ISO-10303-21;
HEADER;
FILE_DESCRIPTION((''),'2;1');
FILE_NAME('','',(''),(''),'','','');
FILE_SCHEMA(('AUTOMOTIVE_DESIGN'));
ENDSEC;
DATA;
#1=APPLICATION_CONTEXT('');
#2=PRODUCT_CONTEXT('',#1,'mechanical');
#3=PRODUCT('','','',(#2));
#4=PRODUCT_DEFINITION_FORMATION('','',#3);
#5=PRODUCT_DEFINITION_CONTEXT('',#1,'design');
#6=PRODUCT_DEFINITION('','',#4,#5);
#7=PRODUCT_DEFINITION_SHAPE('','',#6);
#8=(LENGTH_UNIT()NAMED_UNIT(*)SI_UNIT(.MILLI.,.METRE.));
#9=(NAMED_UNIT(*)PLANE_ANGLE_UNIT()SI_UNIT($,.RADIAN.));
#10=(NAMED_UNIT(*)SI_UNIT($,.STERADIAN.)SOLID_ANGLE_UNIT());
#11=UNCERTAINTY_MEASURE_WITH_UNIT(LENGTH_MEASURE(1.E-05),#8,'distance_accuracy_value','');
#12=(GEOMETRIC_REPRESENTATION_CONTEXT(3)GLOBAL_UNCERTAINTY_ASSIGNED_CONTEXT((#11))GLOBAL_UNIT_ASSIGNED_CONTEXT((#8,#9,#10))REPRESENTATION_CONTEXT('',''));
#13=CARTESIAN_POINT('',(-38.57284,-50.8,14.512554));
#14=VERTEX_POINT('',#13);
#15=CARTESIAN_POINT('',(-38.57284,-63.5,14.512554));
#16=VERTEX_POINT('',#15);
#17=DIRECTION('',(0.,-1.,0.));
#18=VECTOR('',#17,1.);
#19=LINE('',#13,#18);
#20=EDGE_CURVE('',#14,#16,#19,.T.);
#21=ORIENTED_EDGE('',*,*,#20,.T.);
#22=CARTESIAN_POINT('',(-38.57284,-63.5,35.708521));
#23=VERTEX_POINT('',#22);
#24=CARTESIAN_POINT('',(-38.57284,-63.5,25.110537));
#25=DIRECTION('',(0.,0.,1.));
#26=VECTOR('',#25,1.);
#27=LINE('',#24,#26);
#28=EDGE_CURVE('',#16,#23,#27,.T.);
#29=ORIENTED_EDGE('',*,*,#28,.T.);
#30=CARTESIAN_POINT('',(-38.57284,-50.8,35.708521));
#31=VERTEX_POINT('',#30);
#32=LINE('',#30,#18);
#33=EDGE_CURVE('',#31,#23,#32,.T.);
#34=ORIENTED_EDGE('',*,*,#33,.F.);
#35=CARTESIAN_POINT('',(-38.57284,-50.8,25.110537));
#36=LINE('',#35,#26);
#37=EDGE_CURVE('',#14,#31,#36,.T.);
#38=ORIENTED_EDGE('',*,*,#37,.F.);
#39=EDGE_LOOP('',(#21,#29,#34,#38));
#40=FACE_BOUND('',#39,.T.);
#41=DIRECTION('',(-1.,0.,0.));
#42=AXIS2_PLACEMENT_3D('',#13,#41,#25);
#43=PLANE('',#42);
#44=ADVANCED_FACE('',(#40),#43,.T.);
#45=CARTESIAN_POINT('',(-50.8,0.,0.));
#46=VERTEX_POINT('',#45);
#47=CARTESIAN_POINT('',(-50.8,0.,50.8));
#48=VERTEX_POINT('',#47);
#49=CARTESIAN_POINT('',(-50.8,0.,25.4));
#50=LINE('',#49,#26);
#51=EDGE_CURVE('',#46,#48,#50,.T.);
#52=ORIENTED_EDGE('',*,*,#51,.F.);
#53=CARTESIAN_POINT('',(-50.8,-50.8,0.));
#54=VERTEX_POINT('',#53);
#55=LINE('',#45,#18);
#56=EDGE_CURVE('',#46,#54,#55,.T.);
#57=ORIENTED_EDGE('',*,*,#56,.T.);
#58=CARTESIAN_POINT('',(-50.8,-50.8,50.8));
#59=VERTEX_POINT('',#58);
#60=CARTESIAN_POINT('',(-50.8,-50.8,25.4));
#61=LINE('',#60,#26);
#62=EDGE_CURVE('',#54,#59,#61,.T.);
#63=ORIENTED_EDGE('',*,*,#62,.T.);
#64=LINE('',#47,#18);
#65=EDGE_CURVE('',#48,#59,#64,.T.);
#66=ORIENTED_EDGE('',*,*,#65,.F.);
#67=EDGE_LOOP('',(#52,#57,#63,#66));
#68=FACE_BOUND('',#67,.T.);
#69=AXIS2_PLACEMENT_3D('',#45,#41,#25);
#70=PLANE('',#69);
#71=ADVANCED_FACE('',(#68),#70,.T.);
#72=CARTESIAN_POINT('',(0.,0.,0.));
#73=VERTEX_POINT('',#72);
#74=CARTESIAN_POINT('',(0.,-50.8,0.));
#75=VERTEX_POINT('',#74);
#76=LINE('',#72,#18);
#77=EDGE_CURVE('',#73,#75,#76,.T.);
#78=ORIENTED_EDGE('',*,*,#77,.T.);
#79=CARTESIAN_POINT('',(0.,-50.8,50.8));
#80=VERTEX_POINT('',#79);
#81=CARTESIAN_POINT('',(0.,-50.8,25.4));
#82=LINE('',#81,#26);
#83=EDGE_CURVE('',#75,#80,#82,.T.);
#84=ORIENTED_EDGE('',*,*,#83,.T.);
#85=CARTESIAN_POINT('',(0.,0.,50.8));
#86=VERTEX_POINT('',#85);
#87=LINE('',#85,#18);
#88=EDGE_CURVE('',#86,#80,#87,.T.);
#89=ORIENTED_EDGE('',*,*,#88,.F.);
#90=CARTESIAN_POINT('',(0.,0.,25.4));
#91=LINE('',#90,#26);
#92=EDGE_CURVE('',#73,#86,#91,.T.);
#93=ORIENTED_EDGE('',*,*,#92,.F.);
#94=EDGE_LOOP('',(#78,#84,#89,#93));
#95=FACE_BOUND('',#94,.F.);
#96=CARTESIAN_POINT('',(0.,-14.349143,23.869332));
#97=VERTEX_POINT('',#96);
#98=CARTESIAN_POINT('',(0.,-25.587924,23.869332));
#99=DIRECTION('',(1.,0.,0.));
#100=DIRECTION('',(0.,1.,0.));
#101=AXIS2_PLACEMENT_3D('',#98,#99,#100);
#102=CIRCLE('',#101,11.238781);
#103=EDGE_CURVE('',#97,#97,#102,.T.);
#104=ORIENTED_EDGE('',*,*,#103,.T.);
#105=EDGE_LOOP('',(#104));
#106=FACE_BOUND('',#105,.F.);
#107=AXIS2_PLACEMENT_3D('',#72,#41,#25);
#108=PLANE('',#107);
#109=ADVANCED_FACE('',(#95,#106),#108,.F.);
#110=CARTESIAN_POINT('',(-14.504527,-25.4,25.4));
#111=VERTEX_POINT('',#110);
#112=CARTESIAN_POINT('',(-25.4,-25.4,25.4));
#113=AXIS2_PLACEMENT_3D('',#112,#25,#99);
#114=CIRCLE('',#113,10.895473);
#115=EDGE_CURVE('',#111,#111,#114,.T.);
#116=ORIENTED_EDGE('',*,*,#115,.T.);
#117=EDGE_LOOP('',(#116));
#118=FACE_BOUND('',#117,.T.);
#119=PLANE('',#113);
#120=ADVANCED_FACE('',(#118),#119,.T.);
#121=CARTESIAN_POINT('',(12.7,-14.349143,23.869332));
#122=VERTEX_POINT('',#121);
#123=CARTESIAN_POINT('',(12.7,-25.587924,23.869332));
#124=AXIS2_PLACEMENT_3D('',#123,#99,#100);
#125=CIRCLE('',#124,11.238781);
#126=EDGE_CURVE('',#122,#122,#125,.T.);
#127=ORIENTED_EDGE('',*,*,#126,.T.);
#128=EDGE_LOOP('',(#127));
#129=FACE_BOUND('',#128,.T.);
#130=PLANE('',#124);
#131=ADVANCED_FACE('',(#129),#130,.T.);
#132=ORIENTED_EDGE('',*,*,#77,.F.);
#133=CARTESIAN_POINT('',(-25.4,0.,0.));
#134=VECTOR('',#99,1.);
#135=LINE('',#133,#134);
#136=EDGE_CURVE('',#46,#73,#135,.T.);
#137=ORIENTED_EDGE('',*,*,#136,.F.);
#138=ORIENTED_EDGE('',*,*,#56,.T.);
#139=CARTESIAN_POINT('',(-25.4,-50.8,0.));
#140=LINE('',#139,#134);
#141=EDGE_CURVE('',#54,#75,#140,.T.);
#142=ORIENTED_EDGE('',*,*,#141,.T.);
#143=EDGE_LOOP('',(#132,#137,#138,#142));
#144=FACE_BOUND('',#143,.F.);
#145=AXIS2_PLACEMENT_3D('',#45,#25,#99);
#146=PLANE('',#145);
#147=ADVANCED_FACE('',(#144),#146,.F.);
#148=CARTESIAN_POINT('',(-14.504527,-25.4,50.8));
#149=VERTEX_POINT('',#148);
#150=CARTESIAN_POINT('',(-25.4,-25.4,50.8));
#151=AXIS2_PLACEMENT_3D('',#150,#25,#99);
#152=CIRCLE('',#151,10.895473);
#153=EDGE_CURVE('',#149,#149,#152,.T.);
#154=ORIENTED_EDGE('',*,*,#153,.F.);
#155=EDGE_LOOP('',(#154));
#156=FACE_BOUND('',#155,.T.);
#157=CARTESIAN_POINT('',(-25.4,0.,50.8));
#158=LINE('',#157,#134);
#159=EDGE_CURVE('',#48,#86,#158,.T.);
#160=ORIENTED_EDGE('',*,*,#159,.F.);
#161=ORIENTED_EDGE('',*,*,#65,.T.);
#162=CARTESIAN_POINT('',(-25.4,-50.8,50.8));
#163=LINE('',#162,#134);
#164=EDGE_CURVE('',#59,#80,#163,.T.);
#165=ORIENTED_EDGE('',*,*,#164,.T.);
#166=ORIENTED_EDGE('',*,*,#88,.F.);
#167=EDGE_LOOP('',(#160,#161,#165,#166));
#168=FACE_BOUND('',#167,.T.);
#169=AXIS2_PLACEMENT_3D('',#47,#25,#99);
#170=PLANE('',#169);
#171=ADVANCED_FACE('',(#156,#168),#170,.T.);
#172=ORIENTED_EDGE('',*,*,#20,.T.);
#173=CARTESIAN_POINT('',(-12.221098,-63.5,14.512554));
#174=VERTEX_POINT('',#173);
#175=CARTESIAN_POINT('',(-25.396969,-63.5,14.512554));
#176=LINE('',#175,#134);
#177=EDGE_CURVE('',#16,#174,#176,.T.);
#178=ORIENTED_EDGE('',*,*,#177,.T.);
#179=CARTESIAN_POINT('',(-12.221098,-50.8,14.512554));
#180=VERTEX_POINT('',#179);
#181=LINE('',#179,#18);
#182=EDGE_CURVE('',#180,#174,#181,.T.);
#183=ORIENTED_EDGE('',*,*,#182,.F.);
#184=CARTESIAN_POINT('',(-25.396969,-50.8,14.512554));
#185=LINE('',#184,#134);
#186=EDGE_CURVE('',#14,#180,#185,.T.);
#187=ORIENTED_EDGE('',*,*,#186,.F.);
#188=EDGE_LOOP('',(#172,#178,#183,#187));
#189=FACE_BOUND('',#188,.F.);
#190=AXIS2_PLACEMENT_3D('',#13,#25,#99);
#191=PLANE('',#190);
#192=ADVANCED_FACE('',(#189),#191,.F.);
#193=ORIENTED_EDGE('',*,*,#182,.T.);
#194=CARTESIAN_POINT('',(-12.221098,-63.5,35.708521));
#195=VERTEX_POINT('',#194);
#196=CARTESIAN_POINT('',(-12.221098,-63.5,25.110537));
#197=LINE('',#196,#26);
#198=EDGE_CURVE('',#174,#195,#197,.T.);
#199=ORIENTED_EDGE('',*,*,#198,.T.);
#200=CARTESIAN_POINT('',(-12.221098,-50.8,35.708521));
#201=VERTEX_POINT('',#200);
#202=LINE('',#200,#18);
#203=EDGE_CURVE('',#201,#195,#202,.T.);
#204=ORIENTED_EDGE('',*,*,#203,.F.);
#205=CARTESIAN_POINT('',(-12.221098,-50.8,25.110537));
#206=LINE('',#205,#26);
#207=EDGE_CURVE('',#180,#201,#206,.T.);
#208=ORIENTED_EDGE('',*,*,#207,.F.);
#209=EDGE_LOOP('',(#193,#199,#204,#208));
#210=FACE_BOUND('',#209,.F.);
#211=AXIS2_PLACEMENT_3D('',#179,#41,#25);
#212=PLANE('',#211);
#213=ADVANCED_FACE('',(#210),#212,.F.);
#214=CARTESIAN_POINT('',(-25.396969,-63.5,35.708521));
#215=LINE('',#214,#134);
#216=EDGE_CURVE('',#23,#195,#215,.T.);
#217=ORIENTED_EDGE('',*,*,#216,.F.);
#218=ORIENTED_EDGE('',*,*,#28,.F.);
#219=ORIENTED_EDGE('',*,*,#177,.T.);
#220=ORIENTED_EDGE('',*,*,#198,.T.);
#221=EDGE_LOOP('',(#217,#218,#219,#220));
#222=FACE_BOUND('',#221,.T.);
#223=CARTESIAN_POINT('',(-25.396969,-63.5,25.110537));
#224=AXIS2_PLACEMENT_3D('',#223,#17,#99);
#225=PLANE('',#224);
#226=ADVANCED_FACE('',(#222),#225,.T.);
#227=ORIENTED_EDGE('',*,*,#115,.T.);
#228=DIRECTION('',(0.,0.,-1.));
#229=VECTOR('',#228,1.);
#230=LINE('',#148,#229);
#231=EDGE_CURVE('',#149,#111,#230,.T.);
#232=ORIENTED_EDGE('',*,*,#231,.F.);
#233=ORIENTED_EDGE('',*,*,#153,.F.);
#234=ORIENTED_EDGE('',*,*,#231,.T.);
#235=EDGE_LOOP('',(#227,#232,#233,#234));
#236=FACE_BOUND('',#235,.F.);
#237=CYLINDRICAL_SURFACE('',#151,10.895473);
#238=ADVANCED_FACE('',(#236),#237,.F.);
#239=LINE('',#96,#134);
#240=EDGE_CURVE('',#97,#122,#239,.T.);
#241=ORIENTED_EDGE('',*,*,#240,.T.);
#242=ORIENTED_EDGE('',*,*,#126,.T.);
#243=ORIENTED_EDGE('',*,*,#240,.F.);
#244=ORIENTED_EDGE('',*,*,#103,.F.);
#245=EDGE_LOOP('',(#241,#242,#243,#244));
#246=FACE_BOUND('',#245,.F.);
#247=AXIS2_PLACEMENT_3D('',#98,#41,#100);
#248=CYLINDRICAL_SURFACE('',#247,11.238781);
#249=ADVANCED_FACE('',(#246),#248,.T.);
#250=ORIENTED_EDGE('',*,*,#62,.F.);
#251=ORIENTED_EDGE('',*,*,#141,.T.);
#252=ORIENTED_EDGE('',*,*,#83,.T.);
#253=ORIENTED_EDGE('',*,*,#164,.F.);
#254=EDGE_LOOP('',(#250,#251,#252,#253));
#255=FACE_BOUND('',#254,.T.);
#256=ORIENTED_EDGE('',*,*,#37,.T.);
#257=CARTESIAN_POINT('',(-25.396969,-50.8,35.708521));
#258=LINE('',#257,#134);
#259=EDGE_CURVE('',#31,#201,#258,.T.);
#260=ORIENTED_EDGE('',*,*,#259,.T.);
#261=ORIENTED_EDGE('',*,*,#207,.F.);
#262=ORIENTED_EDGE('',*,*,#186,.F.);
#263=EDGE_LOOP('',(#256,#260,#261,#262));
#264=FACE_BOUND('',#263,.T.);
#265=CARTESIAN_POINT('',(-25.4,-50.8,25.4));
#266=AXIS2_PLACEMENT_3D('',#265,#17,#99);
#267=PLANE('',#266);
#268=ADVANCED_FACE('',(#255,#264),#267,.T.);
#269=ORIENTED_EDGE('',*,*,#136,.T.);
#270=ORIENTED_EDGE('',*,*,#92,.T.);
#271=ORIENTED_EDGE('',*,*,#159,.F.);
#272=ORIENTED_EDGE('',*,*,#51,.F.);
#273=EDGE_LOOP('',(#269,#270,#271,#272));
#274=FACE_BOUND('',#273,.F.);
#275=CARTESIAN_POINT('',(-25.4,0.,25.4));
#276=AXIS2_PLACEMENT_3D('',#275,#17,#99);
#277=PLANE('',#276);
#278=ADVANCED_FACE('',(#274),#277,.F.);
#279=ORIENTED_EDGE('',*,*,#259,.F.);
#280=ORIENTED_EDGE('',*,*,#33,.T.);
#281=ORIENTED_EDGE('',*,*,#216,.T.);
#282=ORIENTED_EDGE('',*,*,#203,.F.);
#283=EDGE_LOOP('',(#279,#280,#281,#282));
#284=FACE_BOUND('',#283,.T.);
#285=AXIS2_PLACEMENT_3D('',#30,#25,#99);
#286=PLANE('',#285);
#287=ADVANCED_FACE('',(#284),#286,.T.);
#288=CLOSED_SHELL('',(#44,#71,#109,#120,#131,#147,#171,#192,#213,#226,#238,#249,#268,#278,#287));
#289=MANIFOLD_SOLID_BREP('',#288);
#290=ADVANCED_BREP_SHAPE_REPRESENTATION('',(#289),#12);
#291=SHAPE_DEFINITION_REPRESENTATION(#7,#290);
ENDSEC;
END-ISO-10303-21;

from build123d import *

# Parameters (mm, degrees)
F0_W      = 50.8
F0_H      = 50.8
F1_DEPTH  = 50.8
F2_R      = 10.8954734827
F3_DEPTH  = 25.4
F4_W      = 25.4
F4_H      = 25.4
F5_DEPTH  = 25.4
F6_DEPTH  = 12.7
F7_DEPTH  = 38.1
F8_W      = 26.3517424464
F8_H      = 21.1959667504
F9_DEPTH  = 12.7
F10_R     = 11.2387805826
F11_DEPTH = 12.7


with BuildPart() as f1:
    # F0 (on Front) → F1 (new body)
    with BuildSketch(Plane.XZ):
        with Locations((-25.4, 25.4)):
            Rectangle(F0_W, F0_H)
    extrude(amount=F1_DEPTH)

    # F2 (on face) → F3 (cut)
    with BuildSketch(Plane.XY.offset(50.8)):
        with Locations((-25.4, -25.4)):
            Circle(F2_R)
    extrude(amount=-F3_DEPTH, mode=Mode.SUBTRACT)

    # F4 (on face) → F5 (join)
    with BuildSketch(Plane.XZ.offset(50.8)):
        with Locations((-25.4, 25.4)):
            Rectangle(F4_W, F4_H)
    extrude(amount=F5_DEPTH)

    # F6 (add): a face of the model
    f6_faces = [f1.faces().sort_by_distance(p)[0] for p in [
        (-25.4, -76.2, 25.4),
    ]]
    extrude(f6_faces, amount=F6_DEPTH)

    # F7 (cut): a face of the model
    f7_faces = [f1.faces().sort_by_distance(p)[0] for p in [
        (-25.4, -88.9, 25.4),
    ]]
    extrude(f7_faces, amount=-F7_DEPTH, mode=Mode.SUBTRACT)

    # F8 (on face) → F9 (join)
    with BuildSketch(Plane.XZ.offset(50.8)):
        with Locations((-25.3969691694, 25.1105371863)):
            Rectangle(F8_W, F8_H)
    extrude(amount=F9_DEPTH)

    # F10 (on face) → F11 (join)
    with BuildSketch(Plane.YZ):
        with Locations((-25.5879238248, 23.8693319261)):
            Circle(F10_R)
    extrude(amount=F11_DEPTH)


solid = f1.part
